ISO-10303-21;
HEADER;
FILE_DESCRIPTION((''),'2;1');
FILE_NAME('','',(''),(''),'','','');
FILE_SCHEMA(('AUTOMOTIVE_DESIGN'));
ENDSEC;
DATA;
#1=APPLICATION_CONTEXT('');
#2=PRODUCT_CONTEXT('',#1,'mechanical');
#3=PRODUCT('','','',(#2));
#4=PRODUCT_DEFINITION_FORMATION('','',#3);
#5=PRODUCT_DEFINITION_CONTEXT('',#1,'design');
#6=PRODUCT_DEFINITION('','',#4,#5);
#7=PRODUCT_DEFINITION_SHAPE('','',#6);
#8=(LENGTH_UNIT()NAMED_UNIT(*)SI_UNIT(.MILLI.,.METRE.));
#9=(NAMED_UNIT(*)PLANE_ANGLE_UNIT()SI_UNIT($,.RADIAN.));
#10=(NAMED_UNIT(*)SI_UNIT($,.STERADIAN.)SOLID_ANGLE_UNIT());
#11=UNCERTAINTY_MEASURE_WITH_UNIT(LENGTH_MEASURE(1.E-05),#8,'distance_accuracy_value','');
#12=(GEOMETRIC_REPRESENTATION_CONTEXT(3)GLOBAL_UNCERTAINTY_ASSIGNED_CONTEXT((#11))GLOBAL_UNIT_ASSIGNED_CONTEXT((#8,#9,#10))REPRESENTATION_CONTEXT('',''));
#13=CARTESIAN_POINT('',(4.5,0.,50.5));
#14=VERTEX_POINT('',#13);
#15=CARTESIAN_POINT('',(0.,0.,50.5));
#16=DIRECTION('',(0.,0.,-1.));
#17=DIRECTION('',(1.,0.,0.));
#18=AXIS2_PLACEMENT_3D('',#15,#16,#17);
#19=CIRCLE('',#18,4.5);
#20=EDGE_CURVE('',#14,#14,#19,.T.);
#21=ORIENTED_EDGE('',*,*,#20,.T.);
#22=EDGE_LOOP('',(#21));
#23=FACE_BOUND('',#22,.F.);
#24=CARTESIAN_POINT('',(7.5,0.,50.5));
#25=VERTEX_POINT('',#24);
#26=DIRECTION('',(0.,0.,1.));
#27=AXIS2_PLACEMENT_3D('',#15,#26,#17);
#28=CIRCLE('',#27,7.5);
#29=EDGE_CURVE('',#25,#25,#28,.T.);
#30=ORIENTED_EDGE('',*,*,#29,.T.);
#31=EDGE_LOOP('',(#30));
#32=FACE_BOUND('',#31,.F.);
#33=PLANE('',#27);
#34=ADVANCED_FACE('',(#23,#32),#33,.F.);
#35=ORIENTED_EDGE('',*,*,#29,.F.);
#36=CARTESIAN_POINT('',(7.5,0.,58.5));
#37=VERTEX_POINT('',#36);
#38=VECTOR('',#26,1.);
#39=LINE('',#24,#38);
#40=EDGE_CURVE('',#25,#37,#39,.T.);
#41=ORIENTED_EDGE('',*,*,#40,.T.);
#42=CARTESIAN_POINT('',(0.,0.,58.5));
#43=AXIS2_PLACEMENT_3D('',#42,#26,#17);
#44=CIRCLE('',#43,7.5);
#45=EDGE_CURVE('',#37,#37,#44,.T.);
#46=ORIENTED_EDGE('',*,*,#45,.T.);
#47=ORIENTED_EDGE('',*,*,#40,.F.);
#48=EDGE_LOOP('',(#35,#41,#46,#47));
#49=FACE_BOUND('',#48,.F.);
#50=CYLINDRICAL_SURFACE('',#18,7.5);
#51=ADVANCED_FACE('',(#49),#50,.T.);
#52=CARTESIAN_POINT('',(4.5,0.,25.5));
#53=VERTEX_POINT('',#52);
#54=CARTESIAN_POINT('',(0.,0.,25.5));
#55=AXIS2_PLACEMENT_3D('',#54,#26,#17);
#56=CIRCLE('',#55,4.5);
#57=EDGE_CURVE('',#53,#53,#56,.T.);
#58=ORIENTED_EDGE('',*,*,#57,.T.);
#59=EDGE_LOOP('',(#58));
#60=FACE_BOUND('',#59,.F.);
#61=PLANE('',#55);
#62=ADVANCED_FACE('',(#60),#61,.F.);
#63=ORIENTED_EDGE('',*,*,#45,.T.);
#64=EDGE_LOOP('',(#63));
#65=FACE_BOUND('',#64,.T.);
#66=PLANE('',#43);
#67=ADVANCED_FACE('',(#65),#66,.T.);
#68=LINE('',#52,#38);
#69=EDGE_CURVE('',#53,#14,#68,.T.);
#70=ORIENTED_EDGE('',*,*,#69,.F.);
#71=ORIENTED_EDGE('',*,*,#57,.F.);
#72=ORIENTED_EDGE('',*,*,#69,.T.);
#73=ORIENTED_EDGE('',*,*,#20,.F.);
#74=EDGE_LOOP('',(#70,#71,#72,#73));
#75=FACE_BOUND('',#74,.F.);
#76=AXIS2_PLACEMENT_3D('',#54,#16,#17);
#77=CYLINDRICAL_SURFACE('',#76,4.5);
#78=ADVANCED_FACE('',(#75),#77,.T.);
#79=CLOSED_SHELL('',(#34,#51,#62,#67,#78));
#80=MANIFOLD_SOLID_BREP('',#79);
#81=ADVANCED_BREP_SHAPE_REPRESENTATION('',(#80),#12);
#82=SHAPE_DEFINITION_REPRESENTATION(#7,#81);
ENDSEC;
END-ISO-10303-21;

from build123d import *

# Parameters (mm, degrees)
CYLINDER014_R     = 4.5
CYLINDER014_DEPTH = 33
CYLINDER015_R     = 7.5
CYLINDER015_DEPTH = 8


with BuildPart() as cylinder014:
    # Cylinder014 → Cylinder014 (new body)
    with BuildSketch(Plane.XY.offset(25.5)):
        Circle(CYLINDER014_R)
    extrude(amount=CYLINDER014_DEPTH)


with BuildPart() as screwspacem8:
    # Cylinder015 → Cylinder015 (new body)
    with BuildSketch(Plane.XY.offset(50.5)):
        Circle(CYLINDER015_R)
    extrude(amount=CYLINDER015_DEPTH)

    # Fusion004: union Cylinder014
    add(cylinder014.part)


solid = screwspacem8.part
